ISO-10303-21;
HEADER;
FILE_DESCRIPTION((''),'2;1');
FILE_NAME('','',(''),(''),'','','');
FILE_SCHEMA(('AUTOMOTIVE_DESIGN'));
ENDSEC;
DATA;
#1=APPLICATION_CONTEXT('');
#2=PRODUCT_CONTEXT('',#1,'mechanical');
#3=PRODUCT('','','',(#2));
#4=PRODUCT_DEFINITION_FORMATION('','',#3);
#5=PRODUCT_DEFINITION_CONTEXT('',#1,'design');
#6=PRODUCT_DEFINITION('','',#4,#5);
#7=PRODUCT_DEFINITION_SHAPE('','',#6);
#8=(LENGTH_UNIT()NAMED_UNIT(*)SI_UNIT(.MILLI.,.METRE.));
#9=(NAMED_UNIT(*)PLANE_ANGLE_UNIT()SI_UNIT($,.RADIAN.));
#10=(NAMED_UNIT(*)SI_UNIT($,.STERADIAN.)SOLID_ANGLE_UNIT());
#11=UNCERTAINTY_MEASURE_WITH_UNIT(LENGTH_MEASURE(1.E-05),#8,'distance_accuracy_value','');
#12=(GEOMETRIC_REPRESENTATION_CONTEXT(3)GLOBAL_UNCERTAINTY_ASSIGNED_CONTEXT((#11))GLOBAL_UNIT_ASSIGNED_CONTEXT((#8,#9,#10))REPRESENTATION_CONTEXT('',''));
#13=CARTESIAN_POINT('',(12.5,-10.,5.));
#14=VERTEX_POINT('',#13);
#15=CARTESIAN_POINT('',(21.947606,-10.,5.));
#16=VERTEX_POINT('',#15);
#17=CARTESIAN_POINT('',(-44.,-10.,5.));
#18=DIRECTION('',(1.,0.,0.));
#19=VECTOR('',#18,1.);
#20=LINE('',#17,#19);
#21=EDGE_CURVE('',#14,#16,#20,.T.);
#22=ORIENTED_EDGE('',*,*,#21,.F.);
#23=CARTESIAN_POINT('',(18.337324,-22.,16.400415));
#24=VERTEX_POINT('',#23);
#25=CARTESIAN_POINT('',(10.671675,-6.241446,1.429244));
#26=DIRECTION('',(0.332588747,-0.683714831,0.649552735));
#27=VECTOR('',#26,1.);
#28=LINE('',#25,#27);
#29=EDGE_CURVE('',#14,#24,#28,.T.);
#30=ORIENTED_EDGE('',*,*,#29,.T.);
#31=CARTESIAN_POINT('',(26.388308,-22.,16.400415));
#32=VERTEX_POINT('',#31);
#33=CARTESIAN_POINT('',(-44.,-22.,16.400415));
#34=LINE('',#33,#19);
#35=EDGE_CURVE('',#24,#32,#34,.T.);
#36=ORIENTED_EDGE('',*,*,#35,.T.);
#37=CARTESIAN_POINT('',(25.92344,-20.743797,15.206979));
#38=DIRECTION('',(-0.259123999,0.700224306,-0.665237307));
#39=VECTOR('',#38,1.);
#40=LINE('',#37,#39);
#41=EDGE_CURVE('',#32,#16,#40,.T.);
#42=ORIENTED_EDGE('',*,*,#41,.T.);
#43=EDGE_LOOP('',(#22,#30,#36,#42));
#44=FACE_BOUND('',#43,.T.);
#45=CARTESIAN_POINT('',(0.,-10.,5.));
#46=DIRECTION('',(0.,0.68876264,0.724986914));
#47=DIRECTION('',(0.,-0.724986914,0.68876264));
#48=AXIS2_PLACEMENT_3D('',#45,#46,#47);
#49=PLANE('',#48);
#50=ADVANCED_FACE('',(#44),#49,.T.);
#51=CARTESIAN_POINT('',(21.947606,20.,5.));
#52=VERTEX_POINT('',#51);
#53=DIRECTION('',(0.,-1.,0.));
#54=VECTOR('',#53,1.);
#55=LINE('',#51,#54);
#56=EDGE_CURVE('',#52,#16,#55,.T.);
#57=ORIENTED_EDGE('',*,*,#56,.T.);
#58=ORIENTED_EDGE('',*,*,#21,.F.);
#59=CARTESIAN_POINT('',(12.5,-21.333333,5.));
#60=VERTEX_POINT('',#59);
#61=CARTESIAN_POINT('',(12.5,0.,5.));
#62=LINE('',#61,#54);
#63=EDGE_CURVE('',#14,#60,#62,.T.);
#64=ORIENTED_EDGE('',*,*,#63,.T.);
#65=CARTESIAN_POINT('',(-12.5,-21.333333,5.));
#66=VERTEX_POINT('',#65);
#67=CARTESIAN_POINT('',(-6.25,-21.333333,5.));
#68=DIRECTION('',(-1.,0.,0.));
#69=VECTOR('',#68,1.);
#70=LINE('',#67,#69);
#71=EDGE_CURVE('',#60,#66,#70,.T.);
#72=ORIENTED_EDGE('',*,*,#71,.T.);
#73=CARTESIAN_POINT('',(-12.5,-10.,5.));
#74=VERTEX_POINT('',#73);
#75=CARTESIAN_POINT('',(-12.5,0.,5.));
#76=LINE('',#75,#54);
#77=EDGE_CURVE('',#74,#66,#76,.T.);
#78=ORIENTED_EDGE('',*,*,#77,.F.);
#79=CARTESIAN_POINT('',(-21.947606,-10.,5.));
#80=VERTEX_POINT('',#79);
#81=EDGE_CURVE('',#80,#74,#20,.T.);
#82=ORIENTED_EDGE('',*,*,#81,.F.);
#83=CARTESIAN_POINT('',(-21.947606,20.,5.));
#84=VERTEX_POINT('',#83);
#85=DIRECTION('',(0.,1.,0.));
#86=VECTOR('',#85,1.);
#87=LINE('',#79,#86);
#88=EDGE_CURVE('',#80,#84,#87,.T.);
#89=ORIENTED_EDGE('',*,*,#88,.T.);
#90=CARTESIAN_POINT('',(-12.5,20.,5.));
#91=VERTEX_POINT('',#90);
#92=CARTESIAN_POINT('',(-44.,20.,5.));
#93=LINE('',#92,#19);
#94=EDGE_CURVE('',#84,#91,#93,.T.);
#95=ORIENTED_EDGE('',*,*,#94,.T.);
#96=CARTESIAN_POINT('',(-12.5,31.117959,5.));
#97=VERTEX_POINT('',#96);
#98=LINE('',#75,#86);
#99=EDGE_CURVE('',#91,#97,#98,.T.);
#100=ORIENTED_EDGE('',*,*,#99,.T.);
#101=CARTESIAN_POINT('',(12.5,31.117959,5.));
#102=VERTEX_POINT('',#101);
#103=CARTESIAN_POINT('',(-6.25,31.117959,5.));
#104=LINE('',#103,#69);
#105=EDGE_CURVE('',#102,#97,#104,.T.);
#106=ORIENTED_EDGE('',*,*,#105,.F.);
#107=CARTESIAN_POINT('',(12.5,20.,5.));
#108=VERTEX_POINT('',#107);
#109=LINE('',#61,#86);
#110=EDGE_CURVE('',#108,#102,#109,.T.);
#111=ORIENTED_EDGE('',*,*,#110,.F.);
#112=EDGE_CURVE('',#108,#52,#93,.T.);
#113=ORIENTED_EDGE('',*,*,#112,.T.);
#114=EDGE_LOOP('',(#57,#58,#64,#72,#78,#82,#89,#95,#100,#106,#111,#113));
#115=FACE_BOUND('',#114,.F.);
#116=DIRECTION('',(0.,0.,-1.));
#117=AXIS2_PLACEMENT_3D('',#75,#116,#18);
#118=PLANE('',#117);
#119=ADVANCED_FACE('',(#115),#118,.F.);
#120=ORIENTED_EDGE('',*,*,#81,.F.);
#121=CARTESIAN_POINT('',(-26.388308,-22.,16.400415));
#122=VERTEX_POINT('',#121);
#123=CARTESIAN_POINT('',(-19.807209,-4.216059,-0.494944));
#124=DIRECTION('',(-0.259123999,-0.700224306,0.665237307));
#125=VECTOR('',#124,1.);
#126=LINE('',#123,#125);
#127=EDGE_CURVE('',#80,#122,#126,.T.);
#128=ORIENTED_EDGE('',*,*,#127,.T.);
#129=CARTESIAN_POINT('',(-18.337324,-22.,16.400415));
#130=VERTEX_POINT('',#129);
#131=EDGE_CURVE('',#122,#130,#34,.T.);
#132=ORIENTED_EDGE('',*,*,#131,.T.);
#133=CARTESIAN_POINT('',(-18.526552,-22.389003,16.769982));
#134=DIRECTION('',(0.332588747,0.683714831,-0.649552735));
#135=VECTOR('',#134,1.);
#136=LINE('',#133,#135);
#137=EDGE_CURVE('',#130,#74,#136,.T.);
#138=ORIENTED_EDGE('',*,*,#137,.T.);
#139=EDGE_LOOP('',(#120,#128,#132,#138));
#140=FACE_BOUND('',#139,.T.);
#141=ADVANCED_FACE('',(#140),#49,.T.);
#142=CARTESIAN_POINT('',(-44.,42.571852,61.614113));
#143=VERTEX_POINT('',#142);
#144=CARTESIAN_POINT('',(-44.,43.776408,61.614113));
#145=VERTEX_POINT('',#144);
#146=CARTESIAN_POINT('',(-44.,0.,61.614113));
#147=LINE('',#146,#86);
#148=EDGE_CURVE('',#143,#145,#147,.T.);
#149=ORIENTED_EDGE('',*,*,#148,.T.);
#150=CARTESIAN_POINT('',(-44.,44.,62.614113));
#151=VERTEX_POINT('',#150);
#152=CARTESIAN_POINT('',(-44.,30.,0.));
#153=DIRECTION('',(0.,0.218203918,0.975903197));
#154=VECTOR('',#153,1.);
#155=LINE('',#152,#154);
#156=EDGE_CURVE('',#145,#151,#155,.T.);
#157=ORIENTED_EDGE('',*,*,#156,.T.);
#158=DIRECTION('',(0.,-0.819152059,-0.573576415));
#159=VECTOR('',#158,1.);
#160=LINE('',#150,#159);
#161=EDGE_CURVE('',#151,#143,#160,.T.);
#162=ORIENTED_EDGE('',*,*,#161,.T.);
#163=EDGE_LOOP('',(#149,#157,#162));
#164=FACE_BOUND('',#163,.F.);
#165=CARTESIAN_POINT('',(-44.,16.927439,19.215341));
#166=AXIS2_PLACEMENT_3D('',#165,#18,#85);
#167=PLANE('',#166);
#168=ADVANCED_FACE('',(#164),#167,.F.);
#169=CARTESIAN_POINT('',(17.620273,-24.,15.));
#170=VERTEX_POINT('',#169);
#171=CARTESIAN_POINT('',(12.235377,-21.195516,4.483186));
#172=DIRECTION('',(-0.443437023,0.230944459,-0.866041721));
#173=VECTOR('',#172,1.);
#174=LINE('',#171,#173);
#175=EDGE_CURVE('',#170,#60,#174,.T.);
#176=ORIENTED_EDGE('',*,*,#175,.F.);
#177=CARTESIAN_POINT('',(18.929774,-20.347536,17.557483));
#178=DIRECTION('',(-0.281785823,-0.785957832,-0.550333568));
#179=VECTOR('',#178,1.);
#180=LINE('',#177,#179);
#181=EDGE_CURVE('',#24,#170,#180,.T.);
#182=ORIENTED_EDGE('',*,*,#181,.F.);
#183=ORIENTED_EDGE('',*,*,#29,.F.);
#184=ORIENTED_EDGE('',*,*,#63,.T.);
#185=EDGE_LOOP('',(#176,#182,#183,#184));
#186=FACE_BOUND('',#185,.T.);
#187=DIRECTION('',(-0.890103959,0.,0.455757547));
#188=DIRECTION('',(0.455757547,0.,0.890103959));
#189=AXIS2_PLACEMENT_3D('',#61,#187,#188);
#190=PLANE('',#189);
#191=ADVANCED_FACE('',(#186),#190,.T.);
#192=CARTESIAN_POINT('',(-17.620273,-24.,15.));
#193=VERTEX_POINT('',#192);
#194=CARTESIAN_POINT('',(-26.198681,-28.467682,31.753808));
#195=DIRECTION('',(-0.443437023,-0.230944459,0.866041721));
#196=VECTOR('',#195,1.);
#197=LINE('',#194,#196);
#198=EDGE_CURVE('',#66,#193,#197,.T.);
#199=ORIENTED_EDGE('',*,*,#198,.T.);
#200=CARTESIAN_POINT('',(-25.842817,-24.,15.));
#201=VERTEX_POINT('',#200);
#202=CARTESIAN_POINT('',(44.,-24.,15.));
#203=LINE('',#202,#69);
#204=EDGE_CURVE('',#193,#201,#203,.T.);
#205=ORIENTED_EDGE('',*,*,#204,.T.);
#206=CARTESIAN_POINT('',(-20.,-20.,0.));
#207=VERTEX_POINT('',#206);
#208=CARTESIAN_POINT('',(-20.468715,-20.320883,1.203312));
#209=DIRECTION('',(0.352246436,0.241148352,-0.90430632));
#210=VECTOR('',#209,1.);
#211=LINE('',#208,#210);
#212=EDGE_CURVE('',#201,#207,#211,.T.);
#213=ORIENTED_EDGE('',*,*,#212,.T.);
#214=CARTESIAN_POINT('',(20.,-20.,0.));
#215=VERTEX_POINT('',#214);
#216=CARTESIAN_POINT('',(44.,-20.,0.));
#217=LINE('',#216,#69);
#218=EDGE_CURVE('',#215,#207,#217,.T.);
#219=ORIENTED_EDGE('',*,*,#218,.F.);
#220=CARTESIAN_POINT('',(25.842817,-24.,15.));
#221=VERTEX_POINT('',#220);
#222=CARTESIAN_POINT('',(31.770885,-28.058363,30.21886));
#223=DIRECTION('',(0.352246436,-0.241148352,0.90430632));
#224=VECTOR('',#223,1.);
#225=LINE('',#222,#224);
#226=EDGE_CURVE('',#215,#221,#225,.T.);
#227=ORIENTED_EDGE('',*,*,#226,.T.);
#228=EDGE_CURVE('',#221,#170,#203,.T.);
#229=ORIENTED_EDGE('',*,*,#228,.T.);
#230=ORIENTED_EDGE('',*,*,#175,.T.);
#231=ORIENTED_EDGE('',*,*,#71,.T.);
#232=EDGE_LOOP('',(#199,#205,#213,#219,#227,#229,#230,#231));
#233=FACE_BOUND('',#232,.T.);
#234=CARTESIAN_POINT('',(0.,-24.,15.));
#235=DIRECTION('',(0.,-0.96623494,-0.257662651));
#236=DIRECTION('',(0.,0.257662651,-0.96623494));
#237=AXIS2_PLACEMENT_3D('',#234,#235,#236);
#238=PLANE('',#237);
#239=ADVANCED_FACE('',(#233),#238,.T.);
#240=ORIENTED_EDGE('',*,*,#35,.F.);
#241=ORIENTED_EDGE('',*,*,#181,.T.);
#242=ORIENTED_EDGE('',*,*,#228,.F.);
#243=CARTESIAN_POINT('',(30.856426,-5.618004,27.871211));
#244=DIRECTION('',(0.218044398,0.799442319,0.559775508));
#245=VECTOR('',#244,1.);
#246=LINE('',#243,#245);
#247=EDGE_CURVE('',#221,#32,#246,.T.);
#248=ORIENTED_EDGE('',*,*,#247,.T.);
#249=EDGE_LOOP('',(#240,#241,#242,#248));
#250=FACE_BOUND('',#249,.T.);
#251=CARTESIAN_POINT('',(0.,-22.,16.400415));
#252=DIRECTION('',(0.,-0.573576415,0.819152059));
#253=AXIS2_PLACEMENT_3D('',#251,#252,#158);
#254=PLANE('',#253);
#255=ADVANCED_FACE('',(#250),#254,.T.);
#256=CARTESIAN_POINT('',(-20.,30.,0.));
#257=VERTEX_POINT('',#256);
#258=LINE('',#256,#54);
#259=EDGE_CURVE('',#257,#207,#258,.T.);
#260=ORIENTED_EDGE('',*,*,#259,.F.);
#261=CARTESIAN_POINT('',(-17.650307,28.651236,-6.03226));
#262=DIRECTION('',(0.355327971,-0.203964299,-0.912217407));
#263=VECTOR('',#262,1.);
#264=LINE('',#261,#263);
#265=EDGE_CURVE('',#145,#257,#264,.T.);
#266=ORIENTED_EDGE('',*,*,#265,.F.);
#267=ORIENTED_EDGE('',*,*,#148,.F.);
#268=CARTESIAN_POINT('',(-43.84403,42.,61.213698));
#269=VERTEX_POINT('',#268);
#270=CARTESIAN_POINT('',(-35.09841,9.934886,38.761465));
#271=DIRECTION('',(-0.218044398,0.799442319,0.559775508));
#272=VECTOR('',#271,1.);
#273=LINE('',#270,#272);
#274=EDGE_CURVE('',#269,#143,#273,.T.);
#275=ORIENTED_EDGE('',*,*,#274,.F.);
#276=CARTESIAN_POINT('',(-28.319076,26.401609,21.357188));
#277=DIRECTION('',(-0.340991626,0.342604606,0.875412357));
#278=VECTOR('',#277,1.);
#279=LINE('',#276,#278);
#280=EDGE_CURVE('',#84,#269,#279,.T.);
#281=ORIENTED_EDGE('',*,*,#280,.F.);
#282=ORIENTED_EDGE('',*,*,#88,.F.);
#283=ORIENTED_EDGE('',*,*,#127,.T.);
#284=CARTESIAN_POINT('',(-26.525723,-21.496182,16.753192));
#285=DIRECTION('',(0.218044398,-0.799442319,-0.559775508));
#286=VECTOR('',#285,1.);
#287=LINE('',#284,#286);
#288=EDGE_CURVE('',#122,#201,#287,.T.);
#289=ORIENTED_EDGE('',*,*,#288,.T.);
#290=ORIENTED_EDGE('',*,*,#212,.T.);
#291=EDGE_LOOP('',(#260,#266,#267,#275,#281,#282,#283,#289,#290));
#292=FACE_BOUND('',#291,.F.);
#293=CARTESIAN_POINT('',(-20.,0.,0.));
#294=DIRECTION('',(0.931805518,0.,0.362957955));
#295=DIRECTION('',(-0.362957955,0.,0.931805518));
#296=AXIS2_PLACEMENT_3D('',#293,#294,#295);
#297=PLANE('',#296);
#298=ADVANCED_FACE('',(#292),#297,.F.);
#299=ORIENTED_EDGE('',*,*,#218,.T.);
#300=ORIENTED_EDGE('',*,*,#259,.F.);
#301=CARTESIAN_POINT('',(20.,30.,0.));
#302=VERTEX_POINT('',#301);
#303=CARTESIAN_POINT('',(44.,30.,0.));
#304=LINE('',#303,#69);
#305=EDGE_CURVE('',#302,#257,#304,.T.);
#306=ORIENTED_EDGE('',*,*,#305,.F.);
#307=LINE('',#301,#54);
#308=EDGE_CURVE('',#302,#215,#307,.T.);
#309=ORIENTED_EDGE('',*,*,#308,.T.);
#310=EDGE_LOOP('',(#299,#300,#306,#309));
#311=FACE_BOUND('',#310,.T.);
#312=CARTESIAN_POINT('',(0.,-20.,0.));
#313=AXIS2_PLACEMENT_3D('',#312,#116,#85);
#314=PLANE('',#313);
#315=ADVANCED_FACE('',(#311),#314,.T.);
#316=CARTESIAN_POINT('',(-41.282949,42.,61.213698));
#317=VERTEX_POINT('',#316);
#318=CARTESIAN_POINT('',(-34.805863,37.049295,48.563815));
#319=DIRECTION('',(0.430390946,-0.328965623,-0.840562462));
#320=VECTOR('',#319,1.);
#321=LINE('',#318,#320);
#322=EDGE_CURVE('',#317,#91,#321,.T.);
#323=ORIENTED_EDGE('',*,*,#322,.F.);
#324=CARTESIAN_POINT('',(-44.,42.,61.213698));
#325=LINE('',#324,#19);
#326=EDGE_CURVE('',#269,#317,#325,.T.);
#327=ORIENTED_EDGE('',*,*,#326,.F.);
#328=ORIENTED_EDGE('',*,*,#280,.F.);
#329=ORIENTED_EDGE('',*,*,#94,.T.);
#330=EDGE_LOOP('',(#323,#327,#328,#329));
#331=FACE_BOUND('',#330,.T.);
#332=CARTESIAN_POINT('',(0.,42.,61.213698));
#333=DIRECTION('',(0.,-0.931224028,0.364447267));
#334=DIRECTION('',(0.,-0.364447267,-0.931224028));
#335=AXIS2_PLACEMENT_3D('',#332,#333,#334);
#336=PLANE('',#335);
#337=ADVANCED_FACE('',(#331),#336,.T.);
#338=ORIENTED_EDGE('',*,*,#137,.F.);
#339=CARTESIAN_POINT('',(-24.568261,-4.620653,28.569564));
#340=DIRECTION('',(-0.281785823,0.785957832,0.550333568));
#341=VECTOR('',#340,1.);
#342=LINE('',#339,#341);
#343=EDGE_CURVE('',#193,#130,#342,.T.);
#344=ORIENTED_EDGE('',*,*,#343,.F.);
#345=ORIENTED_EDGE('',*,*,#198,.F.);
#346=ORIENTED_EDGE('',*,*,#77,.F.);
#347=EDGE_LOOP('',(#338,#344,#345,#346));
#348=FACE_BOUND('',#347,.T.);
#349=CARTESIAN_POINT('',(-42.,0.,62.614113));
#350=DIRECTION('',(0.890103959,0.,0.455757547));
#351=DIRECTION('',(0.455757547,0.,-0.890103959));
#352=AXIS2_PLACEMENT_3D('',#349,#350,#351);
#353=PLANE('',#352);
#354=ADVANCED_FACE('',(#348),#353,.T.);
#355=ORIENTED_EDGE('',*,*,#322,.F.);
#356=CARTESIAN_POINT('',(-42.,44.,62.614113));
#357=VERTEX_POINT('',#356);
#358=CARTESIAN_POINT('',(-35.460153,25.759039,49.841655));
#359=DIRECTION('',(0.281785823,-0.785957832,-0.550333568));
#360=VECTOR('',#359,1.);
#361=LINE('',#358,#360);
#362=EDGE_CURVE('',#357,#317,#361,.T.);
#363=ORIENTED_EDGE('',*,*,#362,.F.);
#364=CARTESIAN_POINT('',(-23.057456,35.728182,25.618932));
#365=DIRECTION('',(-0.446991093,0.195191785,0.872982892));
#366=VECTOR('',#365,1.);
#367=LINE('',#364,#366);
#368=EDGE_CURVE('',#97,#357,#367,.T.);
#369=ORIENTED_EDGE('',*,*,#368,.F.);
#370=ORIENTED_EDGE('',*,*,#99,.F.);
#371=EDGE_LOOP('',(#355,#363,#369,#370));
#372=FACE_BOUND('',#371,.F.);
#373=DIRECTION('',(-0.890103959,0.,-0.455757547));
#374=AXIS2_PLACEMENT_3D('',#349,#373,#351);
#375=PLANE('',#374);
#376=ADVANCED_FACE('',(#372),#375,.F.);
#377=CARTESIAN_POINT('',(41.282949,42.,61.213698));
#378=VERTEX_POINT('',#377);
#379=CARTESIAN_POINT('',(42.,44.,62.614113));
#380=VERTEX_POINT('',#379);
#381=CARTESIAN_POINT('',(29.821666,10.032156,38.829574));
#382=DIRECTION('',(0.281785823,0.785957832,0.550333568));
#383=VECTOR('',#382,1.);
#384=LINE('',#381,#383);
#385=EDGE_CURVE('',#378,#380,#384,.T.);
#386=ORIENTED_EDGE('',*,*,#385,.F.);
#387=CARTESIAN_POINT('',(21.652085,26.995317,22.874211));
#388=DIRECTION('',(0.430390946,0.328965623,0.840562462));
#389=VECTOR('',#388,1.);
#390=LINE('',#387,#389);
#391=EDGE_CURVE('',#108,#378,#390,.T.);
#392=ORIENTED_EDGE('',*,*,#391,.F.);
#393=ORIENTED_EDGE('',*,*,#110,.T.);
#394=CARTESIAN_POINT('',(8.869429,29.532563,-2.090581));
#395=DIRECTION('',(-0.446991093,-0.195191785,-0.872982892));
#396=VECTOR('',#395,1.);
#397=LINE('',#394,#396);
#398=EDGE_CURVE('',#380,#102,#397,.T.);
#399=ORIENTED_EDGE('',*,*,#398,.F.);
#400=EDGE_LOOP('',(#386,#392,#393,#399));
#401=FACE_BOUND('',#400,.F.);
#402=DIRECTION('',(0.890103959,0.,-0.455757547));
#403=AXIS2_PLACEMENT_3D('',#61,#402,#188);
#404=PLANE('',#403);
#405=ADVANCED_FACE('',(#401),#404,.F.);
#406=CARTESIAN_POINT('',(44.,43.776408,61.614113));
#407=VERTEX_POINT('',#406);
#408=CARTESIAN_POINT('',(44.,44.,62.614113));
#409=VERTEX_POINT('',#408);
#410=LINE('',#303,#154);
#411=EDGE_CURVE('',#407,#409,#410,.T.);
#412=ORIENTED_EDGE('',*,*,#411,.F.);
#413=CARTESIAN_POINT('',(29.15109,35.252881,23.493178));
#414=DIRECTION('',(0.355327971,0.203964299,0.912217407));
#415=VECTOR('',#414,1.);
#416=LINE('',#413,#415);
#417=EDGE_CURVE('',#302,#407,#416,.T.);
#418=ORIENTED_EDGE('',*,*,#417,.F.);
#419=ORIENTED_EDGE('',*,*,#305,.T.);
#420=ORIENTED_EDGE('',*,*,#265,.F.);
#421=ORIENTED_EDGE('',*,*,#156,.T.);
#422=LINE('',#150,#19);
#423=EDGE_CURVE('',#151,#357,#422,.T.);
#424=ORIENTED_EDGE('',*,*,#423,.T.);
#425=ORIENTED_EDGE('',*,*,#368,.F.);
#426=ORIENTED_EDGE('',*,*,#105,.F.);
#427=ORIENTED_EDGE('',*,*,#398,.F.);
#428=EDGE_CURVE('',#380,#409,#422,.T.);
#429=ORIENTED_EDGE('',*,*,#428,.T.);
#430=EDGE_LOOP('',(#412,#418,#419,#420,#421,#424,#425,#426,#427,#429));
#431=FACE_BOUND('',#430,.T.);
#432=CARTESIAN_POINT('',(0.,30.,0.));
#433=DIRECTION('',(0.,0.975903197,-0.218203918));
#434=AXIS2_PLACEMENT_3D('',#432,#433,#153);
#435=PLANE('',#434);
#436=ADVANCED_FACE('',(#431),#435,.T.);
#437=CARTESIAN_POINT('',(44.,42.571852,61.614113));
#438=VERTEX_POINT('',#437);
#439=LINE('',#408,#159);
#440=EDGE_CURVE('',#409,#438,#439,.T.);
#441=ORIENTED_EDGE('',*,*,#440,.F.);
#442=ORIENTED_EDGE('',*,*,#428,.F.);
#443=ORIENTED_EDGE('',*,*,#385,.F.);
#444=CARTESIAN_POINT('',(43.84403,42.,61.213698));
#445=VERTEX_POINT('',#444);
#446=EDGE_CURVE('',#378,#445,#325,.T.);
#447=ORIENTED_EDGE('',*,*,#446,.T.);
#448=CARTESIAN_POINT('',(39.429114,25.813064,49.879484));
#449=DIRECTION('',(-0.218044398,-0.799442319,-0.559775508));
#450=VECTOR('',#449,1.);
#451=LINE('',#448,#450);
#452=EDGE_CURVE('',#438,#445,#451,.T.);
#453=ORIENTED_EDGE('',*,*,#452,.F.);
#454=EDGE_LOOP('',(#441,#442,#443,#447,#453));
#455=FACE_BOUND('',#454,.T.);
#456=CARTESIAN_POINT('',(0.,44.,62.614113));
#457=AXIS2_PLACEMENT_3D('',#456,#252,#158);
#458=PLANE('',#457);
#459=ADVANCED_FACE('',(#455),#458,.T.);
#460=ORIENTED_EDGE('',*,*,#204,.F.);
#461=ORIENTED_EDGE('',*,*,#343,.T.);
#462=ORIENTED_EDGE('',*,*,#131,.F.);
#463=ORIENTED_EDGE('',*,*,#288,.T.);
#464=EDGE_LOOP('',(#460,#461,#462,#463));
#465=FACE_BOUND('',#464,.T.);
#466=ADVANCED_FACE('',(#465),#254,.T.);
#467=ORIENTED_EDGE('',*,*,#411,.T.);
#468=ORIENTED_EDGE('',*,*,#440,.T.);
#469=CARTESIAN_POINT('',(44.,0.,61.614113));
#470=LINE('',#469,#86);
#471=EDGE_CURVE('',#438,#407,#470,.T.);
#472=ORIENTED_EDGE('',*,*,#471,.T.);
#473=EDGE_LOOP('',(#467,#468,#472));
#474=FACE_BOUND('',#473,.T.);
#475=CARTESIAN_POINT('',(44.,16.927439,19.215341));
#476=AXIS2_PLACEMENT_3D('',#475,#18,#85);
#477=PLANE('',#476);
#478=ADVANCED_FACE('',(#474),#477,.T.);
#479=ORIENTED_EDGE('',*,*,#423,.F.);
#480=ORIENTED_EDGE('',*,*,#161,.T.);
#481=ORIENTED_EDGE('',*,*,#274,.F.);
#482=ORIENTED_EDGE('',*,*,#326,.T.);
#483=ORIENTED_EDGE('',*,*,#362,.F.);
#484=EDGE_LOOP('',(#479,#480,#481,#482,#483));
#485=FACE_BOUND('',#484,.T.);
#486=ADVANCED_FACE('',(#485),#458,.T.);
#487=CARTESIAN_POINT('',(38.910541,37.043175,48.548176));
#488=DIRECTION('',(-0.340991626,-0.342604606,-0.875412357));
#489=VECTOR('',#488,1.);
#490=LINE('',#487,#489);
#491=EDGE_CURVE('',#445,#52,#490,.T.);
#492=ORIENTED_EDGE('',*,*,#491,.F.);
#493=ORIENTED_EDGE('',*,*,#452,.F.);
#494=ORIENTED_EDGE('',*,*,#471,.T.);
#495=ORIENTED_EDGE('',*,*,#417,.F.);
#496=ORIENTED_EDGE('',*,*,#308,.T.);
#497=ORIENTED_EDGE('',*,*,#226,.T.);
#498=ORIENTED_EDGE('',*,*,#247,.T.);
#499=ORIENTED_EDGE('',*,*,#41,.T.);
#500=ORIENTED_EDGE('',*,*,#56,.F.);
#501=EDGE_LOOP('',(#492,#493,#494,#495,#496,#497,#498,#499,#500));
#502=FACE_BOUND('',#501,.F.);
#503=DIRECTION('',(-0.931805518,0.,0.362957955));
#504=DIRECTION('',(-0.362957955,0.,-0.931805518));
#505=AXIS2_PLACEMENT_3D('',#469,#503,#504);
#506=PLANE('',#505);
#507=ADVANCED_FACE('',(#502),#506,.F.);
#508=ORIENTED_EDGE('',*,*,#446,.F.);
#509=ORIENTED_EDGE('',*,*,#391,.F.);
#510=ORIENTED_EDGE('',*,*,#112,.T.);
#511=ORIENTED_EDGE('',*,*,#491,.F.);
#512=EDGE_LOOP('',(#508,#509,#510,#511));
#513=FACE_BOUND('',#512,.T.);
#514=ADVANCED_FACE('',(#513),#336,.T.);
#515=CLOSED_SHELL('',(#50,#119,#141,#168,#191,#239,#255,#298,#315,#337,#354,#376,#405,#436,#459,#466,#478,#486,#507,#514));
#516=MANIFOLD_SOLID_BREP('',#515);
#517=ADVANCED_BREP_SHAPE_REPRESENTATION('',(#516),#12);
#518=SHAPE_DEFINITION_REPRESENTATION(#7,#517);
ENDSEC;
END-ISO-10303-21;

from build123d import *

# Parameters (mm, degrees)
PAD_DEPTH         = 44
SKETCH001_R       = 150
POCKET_DEPTH      = 44.001
POCKET_DEPTH_BACK = -24.001


with BuildPart() as part:
    # Sketch → Pad (new body, symmetric)
    with BuildSketch(Plane.YZ):
        Polygon((30, 0), (44, 62.614113), (42, 61.213698), (20, 5), (-10, 5), (-22, 16.400415), (-24, 15), (-20, 0), align=None)
    extrude(amount=PAD_DEPTH, both=True)

    # Sketch001 → Pocket (cut, two sides)
    with BuildSketch(Plane(origin=(0, 0, 0), x_dir=(0, 0, -1), z_dir=(0, -1, 0))) as pocket_sk:
        Circle(SKETCH001_R)
        Polygon((0, -20), (-61.614113, -44), (-62.614113, -44), (-62.614113, -42), (-5, -12.5), (-5, 12.5), (-62.614113, 42), (-62.614113, 44), (-61.614113, 44), (0, 20), align=None, mode=Mode.SUBTRACT)
    extrude(amount=-POCKET_DEPTH, mode=Mode.SUBTRACT)
    extrude(pocket_sk.sketch, amount=-POCKET_DEPTH_BACK, mode=Mode.SUBTRACT)


solid = part.part
